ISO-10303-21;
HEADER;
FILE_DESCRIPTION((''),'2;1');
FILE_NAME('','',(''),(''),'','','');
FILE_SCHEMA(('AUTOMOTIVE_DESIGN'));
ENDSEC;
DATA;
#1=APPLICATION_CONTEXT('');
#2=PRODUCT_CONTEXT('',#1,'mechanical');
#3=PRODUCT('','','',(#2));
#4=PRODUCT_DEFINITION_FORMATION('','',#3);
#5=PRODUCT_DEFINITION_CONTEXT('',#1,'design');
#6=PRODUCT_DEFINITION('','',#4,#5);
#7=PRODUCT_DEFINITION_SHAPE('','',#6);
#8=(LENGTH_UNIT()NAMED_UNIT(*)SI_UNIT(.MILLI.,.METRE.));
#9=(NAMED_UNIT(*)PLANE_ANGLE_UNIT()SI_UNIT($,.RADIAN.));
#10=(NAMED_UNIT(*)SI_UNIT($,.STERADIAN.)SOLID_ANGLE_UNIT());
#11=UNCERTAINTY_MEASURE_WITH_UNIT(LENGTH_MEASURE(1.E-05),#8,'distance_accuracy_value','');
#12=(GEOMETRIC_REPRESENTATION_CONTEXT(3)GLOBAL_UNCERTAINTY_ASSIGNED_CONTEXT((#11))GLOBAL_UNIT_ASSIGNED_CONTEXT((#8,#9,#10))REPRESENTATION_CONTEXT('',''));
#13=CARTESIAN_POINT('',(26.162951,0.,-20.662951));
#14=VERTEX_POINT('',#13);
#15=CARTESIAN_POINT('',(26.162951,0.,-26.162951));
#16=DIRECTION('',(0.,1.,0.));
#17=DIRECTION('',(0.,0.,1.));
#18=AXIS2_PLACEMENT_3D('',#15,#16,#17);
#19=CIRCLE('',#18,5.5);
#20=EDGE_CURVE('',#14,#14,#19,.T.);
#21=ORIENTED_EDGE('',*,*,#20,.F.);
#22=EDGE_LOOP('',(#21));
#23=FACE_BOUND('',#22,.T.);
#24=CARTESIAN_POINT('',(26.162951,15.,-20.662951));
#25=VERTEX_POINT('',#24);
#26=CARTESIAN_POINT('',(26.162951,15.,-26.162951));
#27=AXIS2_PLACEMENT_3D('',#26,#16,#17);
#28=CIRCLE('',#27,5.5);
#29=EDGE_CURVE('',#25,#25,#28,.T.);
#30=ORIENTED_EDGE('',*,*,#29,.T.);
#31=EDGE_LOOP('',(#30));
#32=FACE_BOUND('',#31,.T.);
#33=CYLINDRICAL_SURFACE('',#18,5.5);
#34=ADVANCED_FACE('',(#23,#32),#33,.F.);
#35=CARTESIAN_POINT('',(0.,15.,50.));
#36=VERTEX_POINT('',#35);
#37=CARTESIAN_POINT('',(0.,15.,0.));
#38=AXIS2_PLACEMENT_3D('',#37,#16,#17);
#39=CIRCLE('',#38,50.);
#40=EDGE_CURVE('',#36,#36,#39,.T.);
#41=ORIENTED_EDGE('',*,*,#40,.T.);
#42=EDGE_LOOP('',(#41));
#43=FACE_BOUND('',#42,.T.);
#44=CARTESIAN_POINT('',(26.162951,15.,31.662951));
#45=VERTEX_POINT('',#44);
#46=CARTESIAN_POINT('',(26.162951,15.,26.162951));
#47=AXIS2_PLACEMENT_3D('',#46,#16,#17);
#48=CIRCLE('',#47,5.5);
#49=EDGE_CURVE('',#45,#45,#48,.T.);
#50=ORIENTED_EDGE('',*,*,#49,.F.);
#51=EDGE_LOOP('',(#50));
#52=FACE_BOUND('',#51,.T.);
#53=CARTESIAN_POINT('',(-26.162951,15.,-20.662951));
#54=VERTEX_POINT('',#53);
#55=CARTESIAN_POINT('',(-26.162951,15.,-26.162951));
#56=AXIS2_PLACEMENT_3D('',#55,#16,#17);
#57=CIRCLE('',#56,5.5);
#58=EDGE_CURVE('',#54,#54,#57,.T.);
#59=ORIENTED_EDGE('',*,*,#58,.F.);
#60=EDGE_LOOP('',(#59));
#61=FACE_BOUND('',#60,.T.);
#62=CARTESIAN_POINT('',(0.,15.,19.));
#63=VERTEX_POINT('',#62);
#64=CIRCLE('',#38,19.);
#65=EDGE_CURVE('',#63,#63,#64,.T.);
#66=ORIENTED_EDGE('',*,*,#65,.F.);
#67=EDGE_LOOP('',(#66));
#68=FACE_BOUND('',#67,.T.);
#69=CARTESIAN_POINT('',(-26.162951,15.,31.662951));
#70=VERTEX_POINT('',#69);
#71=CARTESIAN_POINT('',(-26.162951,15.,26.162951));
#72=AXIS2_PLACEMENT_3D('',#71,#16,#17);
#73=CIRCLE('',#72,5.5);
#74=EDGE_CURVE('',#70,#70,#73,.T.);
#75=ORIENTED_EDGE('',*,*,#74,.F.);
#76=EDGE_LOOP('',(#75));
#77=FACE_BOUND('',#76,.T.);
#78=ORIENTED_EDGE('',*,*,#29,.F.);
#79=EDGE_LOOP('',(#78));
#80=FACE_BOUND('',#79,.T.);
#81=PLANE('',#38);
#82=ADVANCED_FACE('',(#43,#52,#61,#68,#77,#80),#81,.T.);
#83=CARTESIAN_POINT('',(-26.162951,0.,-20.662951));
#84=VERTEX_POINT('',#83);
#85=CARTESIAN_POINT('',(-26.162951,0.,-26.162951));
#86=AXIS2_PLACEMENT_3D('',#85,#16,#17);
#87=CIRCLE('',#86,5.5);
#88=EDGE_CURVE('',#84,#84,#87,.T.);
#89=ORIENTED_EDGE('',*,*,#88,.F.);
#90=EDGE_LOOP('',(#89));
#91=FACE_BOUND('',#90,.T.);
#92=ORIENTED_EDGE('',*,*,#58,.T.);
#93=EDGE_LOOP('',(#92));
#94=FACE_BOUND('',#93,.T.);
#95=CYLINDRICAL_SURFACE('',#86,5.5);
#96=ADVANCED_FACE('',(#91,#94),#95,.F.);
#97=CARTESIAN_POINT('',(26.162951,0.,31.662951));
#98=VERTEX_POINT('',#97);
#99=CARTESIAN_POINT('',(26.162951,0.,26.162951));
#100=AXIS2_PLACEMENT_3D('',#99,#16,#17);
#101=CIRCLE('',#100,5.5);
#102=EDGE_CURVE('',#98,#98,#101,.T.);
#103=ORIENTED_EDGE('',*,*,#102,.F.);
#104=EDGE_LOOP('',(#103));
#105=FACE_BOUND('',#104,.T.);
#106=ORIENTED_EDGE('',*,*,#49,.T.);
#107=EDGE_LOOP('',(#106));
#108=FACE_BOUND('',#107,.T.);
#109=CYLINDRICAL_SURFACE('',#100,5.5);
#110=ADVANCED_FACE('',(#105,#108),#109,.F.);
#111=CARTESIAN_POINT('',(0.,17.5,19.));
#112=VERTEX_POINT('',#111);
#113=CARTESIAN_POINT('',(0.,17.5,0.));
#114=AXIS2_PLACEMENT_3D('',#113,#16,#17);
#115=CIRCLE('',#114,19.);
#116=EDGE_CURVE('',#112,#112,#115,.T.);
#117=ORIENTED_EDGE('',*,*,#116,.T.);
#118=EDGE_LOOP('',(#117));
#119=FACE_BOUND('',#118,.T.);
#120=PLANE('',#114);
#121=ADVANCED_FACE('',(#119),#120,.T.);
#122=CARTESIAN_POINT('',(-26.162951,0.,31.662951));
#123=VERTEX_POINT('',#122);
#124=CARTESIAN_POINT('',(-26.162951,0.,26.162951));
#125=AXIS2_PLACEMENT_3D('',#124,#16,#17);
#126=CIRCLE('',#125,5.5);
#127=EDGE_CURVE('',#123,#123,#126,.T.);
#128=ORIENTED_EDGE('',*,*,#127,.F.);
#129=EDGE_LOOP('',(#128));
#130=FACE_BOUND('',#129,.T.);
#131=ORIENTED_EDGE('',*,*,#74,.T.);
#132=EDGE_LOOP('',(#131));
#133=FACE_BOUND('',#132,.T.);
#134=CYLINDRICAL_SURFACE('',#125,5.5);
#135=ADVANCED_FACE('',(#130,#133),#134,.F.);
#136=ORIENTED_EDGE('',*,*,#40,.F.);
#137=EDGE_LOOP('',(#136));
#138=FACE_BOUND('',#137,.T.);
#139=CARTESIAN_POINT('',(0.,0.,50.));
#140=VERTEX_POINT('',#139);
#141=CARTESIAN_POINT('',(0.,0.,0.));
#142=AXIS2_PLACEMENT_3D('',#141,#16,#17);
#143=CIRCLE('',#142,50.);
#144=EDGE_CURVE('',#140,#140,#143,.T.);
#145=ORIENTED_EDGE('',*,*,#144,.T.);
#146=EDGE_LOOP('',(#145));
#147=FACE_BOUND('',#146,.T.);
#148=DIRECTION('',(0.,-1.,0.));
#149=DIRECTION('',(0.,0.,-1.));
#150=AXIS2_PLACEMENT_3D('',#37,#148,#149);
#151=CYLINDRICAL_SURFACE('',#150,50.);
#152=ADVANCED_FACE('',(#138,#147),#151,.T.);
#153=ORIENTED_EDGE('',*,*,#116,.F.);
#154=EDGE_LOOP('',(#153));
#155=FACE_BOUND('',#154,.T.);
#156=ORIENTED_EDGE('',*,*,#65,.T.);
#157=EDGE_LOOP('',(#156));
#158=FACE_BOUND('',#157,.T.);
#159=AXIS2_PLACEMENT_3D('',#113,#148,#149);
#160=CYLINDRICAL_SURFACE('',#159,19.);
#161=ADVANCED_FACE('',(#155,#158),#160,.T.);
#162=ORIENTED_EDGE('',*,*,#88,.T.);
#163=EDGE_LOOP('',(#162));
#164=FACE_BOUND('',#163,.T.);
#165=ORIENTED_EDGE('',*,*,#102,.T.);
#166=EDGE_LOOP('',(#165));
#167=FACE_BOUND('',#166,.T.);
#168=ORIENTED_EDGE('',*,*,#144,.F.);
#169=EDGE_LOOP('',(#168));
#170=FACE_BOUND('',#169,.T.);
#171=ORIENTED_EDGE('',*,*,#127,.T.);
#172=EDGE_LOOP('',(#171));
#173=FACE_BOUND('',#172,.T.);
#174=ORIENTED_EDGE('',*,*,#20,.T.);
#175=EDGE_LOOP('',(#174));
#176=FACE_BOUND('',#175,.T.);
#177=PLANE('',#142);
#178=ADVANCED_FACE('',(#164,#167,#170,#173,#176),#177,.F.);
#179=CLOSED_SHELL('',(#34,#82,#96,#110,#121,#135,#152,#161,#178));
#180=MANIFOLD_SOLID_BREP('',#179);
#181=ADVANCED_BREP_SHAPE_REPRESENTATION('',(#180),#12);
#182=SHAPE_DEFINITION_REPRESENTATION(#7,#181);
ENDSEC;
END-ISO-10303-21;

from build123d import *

# Parameters (mm, degrees)
SKETCH_1_R               = 50
EXTRUDE_1_DEPTH          = 15
SKETCH_2_R               = 19
EXTRUDE_2_DEPTH          = 2.5
CUT_EXTRUDE_1_DEPTH      = 73.284161474
CUT_EXTRUDE_1_DEPTH_BACK = 73.284161474
SKETCH_3_R               = 5.5


with BuildPart() as part:
    # 草图1 → 凸台-拉伸1 (new body)
    with BuildSketch(Plane(origin=(0, 0, 0), x_dir=(1, 0, 0), z_dir=(0, 1, 0))):
        with Locations(Location((0, 0, 0), (0, 0, 270))):
            Circle(SKETCH_1_R)
    extrude(amount=EXTRUDE_1_DEPTH)

    # 草图2 → 凸台-拉伸2 (add)
    with BuildSketch(Plane(origin=(0, 15, 0), x_dir=(1, 0, 0), z_dir=(0, 1, 0))):
        with Locations(Location((0, 0, 0), (0, 0, 270))):
            Circle(SKETCH_2_R)
    extrude(amount=EXTRUDE_2_DEPTH)

    # 草图3 → 切除-拉伸1 (cut, two sides: drawn at the far end of the back side and taken through both)
    with BuildSketch(Plane(origin=(0, 15, 0), x_dir=(1, 0, 0), z_dir=(0, 1, 0)).offset(-CUT_EXTRUDE_1_DEPTH_BACK)):
        with Locations(Location((26.162950904, 26.162950904, 0), (0, 0, 270))):
            Circle(SKETCH_3_R)
        with Locations(Location((26.162950904, -26.162950904, 0), (0, 0, 270))):
            Circle(SKETCH_3_R)
        with Locations(Location((-26.162950904, -26.162950904, 0), (0, 0, 270))):
            Circle(SKETCH_3_R)
        with Locations(Location((-26.162950904, 26.162950904, 0), (0, 0, 270))):
            Circle(SKETCH_3_R)
    extrude(amount=CUT_EXTRUDE_1_DEPTH + CUT_EXTRUDE_1_DEPTH_BACK, mode=Mode.SUBTRACT)


solid = part.part
